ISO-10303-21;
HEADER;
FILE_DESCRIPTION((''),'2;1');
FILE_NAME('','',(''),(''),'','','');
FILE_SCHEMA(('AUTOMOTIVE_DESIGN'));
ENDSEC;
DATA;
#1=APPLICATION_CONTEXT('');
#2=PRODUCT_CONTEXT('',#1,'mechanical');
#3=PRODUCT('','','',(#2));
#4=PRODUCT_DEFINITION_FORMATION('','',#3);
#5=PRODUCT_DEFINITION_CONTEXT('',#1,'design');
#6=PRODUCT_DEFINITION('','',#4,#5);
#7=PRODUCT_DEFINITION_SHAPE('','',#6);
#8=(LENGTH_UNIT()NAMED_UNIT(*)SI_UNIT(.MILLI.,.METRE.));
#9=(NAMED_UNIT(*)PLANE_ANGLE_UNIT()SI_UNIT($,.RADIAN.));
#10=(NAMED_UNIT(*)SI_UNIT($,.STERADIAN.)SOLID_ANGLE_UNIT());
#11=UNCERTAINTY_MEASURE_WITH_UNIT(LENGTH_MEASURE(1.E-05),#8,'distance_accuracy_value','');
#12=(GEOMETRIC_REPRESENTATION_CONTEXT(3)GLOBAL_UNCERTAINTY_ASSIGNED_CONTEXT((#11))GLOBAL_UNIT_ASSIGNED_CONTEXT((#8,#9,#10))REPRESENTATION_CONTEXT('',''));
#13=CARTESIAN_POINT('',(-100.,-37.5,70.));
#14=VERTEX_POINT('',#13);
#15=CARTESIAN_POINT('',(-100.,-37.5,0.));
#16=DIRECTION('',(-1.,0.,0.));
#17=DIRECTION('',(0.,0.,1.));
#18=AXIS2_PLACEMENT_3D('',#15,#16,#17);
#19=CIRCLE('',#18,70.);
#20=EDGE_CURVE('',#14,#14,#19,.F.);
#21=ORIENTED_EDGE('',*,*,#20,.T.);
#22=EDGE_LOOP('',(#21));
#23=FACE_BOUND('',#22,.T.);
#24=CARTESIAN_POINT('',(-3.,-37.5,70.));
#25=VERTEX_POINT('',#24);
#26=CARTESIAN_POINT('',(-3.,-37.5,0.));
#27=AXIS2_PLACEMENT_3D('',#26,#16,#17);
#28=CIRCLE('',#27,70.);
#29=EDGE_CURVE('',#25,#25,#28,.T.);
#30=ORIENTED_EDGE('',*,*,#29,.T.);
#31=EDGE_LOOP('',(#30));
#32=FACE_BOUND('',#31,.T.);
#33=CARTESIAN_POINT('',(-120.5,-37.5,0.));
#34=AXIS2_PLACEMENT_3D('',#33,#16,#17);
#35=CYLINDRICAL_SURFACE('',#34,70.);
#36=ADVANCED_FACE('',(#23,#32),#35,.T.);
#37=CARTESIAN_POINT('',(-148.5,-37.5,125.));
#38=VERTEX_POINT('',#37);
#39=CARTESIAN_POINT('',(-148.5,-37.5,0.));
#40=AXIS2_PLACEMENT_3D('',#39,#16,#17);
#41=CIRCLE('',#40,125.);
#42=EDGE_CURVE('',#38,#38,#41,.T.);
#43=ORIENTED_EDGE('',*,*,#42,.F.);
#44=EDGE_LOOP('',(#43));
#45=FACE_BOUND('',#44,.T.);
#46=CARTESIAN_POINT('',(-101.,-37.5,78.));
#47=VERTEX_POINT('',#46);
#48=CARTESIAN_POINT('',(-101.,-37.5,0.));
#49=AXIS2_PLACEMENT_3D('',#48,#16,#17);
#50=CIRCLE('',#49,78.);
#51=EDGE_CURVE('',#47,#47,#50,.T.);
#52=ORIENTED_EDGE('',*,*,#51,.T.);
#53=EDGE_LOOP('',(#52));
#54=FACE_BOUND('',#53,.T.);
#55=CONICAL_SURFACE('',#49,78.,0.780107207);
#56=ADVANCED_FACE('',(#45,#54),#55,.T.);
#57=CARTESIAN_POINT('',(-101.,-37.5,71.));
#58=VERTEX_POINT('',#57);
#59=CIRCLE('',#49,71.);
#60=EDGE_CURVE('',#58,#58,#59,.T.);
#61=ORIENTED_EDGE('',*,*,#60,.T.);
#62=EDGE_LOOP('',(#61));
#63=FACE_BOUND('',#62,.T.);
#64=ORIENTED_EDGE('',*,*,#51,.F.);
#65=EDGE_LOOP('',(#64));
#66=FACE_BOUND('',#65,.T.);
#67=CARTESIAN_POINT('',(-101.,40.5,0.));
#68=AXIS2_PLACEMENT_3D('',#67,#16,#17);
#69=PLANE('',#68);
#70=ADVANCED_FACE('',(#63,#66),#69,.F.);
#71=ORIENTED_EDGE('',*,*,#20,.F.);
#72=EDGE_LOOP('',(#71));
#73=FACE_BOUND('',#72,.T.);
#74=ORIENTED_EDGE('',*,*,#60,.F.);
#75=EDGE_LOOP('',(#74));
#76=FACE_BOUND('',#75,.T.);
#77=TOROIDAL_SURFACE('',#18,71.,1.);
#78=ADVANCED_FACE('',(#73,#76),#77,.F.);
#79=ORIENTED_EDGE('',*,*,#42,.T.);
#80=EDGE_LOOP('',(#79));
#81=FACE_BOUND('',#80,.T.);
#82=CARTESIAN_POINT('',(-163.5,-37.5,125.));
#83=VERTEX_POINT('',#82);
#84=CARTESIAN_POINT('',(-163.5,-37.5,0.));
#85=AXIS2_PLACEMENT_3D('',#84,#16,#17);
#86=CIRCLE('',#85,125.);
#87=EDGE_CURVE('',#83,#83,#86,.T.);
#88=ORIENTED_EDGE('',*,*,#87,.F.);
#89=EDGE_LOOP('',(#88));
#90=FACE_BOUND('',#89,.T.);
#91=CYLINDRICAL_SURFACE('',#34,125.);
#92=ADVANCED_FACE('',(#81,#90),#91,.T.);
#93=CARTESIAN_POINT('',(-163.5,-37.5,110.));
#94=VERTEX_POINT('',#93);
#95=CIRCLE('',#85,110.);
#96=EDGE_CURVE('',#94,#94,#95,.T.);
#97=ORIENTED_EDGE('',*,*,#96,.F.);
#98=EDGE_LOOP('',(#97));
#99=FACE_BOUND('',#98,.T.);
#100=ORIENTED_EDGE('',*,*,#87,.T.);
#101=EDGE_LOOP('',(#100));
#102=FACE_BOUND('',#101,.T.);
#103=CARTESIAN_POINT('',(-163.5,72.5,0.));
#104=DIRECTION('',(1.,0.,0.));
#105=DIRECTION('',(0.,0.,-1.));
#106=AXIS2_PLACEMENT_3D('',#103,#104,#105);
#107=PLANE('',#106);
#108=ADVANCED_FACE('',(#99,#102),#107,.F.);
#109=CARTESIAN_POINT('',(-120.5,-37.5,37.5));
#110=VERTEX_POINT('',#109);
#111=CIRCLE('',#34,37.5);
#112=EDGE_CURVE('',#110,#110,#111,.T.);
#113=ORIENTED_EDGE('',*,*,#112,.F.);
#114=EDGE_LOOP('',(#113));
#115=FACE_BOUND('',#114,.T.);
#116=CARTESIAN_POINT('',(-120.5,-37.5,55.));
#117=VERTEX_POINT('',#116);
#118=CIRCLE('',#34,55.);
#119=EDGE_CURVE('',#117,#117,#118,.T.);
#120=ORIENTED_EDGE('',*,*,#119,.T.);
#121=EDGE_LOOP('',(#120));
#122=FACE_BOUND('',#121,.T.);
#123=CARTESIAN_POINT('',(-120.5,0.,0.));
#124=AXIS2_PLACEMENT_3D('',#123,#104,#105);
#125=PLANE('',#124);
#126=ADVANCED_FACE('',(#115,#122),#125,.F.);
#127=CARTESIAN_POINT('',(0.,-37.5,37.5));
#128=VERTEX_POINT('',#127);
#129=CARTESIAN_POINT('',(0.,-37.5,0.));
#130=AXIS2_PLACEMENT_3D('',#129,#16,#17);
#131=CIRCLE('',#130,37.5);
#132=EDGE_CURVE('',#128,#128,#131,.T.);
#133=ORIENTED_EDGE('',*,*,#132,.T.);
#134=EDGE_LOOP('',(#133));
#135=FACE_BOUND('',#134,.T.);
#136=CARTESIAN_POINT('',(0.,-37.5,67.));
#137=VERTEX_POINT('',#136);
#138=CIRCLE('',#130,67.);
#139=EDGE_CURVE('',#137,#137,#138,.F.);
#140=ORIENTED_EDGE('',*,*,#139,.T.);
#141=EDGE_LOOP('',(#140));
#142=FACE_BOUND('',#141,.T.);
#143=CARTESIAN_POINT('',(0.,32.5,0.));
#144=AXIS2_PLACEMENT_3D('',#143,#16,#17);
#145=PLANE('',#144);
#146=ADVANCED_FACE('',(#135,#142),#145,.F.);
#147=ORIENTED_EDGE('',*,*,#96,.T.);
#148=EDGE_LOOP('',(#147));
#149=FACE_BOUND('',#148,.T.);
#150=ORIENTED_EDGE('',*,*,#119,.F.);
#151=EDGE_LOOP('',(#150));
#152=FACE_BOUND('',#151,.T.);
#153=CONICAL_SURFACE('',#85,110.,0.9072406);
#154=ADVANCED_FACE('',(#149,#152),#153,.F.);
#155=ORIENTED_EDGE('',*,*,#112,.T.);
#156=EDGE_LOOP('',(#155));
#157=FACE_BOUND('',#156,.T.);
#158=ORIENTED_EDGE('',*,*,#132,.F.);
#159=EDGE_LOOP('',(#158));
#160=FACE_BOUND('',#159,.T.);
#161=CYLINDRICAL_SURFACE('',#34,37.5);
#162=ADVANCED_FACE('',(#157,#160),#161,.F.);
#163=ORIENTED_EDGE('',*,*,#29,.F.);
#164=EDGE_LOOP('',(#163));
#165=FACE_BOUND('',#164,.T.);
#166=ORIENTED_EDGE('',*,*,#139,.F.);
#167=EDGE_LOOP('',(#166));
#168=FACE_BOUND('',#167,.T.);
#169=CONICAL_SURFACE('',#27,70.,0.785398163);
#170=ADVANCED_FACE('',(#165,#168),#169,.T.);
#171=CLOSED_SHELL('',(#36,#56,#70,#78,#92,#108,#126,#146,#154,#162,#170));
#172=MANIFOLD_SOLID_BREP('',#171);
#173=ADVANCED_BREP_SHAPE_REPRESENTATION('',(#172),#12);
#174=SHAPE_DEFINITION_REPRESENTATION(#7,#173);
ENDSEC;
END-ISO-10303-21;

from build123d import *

# Parameters (mm, degrees)
FILLET_1_R     = 1
CHAMFER_1_SIZE = 3


with BuildPart() as part:
    # 草图1 → 旋转1 (revolve)
    with BuildSketch(Plane.XY, mode=Mode.PRIVATE) as revolve_1_sk:
        Polygon((0, 0), (-120.5, 0), (-120.5, 17.5), (-163.5, 72.5), (-163.5, 87.5), (-148.5, 87.5), (-101, 40.5), (-101, 32.5), (0, 32.5), align=None)
    revolve(revolve_1_sk.sketch.rotate(Axis((-120.5, -37.5, 0), (1, 0, 0)), 90), axis=Axis((-120.5, -37.5, 0), (1, 0, 0)))

    # 圆角1
    fillet_1_edges = [part.edges().sort_by_distance(p)[0] for p in [
        (-101, -37.5, -70),
    ]]
    fillet(fillet_1_edges, radius=FILLET_1_R)

    # 倒角1
    chamfer_1_edges = [part.edges().sort_by_distance(p)[0] for p in [
        (0, -37.5, -70),
    ]]
    chamfer(chamfer_1_edges, length=CHAMFER_1_SIZE)


solid = part.part
